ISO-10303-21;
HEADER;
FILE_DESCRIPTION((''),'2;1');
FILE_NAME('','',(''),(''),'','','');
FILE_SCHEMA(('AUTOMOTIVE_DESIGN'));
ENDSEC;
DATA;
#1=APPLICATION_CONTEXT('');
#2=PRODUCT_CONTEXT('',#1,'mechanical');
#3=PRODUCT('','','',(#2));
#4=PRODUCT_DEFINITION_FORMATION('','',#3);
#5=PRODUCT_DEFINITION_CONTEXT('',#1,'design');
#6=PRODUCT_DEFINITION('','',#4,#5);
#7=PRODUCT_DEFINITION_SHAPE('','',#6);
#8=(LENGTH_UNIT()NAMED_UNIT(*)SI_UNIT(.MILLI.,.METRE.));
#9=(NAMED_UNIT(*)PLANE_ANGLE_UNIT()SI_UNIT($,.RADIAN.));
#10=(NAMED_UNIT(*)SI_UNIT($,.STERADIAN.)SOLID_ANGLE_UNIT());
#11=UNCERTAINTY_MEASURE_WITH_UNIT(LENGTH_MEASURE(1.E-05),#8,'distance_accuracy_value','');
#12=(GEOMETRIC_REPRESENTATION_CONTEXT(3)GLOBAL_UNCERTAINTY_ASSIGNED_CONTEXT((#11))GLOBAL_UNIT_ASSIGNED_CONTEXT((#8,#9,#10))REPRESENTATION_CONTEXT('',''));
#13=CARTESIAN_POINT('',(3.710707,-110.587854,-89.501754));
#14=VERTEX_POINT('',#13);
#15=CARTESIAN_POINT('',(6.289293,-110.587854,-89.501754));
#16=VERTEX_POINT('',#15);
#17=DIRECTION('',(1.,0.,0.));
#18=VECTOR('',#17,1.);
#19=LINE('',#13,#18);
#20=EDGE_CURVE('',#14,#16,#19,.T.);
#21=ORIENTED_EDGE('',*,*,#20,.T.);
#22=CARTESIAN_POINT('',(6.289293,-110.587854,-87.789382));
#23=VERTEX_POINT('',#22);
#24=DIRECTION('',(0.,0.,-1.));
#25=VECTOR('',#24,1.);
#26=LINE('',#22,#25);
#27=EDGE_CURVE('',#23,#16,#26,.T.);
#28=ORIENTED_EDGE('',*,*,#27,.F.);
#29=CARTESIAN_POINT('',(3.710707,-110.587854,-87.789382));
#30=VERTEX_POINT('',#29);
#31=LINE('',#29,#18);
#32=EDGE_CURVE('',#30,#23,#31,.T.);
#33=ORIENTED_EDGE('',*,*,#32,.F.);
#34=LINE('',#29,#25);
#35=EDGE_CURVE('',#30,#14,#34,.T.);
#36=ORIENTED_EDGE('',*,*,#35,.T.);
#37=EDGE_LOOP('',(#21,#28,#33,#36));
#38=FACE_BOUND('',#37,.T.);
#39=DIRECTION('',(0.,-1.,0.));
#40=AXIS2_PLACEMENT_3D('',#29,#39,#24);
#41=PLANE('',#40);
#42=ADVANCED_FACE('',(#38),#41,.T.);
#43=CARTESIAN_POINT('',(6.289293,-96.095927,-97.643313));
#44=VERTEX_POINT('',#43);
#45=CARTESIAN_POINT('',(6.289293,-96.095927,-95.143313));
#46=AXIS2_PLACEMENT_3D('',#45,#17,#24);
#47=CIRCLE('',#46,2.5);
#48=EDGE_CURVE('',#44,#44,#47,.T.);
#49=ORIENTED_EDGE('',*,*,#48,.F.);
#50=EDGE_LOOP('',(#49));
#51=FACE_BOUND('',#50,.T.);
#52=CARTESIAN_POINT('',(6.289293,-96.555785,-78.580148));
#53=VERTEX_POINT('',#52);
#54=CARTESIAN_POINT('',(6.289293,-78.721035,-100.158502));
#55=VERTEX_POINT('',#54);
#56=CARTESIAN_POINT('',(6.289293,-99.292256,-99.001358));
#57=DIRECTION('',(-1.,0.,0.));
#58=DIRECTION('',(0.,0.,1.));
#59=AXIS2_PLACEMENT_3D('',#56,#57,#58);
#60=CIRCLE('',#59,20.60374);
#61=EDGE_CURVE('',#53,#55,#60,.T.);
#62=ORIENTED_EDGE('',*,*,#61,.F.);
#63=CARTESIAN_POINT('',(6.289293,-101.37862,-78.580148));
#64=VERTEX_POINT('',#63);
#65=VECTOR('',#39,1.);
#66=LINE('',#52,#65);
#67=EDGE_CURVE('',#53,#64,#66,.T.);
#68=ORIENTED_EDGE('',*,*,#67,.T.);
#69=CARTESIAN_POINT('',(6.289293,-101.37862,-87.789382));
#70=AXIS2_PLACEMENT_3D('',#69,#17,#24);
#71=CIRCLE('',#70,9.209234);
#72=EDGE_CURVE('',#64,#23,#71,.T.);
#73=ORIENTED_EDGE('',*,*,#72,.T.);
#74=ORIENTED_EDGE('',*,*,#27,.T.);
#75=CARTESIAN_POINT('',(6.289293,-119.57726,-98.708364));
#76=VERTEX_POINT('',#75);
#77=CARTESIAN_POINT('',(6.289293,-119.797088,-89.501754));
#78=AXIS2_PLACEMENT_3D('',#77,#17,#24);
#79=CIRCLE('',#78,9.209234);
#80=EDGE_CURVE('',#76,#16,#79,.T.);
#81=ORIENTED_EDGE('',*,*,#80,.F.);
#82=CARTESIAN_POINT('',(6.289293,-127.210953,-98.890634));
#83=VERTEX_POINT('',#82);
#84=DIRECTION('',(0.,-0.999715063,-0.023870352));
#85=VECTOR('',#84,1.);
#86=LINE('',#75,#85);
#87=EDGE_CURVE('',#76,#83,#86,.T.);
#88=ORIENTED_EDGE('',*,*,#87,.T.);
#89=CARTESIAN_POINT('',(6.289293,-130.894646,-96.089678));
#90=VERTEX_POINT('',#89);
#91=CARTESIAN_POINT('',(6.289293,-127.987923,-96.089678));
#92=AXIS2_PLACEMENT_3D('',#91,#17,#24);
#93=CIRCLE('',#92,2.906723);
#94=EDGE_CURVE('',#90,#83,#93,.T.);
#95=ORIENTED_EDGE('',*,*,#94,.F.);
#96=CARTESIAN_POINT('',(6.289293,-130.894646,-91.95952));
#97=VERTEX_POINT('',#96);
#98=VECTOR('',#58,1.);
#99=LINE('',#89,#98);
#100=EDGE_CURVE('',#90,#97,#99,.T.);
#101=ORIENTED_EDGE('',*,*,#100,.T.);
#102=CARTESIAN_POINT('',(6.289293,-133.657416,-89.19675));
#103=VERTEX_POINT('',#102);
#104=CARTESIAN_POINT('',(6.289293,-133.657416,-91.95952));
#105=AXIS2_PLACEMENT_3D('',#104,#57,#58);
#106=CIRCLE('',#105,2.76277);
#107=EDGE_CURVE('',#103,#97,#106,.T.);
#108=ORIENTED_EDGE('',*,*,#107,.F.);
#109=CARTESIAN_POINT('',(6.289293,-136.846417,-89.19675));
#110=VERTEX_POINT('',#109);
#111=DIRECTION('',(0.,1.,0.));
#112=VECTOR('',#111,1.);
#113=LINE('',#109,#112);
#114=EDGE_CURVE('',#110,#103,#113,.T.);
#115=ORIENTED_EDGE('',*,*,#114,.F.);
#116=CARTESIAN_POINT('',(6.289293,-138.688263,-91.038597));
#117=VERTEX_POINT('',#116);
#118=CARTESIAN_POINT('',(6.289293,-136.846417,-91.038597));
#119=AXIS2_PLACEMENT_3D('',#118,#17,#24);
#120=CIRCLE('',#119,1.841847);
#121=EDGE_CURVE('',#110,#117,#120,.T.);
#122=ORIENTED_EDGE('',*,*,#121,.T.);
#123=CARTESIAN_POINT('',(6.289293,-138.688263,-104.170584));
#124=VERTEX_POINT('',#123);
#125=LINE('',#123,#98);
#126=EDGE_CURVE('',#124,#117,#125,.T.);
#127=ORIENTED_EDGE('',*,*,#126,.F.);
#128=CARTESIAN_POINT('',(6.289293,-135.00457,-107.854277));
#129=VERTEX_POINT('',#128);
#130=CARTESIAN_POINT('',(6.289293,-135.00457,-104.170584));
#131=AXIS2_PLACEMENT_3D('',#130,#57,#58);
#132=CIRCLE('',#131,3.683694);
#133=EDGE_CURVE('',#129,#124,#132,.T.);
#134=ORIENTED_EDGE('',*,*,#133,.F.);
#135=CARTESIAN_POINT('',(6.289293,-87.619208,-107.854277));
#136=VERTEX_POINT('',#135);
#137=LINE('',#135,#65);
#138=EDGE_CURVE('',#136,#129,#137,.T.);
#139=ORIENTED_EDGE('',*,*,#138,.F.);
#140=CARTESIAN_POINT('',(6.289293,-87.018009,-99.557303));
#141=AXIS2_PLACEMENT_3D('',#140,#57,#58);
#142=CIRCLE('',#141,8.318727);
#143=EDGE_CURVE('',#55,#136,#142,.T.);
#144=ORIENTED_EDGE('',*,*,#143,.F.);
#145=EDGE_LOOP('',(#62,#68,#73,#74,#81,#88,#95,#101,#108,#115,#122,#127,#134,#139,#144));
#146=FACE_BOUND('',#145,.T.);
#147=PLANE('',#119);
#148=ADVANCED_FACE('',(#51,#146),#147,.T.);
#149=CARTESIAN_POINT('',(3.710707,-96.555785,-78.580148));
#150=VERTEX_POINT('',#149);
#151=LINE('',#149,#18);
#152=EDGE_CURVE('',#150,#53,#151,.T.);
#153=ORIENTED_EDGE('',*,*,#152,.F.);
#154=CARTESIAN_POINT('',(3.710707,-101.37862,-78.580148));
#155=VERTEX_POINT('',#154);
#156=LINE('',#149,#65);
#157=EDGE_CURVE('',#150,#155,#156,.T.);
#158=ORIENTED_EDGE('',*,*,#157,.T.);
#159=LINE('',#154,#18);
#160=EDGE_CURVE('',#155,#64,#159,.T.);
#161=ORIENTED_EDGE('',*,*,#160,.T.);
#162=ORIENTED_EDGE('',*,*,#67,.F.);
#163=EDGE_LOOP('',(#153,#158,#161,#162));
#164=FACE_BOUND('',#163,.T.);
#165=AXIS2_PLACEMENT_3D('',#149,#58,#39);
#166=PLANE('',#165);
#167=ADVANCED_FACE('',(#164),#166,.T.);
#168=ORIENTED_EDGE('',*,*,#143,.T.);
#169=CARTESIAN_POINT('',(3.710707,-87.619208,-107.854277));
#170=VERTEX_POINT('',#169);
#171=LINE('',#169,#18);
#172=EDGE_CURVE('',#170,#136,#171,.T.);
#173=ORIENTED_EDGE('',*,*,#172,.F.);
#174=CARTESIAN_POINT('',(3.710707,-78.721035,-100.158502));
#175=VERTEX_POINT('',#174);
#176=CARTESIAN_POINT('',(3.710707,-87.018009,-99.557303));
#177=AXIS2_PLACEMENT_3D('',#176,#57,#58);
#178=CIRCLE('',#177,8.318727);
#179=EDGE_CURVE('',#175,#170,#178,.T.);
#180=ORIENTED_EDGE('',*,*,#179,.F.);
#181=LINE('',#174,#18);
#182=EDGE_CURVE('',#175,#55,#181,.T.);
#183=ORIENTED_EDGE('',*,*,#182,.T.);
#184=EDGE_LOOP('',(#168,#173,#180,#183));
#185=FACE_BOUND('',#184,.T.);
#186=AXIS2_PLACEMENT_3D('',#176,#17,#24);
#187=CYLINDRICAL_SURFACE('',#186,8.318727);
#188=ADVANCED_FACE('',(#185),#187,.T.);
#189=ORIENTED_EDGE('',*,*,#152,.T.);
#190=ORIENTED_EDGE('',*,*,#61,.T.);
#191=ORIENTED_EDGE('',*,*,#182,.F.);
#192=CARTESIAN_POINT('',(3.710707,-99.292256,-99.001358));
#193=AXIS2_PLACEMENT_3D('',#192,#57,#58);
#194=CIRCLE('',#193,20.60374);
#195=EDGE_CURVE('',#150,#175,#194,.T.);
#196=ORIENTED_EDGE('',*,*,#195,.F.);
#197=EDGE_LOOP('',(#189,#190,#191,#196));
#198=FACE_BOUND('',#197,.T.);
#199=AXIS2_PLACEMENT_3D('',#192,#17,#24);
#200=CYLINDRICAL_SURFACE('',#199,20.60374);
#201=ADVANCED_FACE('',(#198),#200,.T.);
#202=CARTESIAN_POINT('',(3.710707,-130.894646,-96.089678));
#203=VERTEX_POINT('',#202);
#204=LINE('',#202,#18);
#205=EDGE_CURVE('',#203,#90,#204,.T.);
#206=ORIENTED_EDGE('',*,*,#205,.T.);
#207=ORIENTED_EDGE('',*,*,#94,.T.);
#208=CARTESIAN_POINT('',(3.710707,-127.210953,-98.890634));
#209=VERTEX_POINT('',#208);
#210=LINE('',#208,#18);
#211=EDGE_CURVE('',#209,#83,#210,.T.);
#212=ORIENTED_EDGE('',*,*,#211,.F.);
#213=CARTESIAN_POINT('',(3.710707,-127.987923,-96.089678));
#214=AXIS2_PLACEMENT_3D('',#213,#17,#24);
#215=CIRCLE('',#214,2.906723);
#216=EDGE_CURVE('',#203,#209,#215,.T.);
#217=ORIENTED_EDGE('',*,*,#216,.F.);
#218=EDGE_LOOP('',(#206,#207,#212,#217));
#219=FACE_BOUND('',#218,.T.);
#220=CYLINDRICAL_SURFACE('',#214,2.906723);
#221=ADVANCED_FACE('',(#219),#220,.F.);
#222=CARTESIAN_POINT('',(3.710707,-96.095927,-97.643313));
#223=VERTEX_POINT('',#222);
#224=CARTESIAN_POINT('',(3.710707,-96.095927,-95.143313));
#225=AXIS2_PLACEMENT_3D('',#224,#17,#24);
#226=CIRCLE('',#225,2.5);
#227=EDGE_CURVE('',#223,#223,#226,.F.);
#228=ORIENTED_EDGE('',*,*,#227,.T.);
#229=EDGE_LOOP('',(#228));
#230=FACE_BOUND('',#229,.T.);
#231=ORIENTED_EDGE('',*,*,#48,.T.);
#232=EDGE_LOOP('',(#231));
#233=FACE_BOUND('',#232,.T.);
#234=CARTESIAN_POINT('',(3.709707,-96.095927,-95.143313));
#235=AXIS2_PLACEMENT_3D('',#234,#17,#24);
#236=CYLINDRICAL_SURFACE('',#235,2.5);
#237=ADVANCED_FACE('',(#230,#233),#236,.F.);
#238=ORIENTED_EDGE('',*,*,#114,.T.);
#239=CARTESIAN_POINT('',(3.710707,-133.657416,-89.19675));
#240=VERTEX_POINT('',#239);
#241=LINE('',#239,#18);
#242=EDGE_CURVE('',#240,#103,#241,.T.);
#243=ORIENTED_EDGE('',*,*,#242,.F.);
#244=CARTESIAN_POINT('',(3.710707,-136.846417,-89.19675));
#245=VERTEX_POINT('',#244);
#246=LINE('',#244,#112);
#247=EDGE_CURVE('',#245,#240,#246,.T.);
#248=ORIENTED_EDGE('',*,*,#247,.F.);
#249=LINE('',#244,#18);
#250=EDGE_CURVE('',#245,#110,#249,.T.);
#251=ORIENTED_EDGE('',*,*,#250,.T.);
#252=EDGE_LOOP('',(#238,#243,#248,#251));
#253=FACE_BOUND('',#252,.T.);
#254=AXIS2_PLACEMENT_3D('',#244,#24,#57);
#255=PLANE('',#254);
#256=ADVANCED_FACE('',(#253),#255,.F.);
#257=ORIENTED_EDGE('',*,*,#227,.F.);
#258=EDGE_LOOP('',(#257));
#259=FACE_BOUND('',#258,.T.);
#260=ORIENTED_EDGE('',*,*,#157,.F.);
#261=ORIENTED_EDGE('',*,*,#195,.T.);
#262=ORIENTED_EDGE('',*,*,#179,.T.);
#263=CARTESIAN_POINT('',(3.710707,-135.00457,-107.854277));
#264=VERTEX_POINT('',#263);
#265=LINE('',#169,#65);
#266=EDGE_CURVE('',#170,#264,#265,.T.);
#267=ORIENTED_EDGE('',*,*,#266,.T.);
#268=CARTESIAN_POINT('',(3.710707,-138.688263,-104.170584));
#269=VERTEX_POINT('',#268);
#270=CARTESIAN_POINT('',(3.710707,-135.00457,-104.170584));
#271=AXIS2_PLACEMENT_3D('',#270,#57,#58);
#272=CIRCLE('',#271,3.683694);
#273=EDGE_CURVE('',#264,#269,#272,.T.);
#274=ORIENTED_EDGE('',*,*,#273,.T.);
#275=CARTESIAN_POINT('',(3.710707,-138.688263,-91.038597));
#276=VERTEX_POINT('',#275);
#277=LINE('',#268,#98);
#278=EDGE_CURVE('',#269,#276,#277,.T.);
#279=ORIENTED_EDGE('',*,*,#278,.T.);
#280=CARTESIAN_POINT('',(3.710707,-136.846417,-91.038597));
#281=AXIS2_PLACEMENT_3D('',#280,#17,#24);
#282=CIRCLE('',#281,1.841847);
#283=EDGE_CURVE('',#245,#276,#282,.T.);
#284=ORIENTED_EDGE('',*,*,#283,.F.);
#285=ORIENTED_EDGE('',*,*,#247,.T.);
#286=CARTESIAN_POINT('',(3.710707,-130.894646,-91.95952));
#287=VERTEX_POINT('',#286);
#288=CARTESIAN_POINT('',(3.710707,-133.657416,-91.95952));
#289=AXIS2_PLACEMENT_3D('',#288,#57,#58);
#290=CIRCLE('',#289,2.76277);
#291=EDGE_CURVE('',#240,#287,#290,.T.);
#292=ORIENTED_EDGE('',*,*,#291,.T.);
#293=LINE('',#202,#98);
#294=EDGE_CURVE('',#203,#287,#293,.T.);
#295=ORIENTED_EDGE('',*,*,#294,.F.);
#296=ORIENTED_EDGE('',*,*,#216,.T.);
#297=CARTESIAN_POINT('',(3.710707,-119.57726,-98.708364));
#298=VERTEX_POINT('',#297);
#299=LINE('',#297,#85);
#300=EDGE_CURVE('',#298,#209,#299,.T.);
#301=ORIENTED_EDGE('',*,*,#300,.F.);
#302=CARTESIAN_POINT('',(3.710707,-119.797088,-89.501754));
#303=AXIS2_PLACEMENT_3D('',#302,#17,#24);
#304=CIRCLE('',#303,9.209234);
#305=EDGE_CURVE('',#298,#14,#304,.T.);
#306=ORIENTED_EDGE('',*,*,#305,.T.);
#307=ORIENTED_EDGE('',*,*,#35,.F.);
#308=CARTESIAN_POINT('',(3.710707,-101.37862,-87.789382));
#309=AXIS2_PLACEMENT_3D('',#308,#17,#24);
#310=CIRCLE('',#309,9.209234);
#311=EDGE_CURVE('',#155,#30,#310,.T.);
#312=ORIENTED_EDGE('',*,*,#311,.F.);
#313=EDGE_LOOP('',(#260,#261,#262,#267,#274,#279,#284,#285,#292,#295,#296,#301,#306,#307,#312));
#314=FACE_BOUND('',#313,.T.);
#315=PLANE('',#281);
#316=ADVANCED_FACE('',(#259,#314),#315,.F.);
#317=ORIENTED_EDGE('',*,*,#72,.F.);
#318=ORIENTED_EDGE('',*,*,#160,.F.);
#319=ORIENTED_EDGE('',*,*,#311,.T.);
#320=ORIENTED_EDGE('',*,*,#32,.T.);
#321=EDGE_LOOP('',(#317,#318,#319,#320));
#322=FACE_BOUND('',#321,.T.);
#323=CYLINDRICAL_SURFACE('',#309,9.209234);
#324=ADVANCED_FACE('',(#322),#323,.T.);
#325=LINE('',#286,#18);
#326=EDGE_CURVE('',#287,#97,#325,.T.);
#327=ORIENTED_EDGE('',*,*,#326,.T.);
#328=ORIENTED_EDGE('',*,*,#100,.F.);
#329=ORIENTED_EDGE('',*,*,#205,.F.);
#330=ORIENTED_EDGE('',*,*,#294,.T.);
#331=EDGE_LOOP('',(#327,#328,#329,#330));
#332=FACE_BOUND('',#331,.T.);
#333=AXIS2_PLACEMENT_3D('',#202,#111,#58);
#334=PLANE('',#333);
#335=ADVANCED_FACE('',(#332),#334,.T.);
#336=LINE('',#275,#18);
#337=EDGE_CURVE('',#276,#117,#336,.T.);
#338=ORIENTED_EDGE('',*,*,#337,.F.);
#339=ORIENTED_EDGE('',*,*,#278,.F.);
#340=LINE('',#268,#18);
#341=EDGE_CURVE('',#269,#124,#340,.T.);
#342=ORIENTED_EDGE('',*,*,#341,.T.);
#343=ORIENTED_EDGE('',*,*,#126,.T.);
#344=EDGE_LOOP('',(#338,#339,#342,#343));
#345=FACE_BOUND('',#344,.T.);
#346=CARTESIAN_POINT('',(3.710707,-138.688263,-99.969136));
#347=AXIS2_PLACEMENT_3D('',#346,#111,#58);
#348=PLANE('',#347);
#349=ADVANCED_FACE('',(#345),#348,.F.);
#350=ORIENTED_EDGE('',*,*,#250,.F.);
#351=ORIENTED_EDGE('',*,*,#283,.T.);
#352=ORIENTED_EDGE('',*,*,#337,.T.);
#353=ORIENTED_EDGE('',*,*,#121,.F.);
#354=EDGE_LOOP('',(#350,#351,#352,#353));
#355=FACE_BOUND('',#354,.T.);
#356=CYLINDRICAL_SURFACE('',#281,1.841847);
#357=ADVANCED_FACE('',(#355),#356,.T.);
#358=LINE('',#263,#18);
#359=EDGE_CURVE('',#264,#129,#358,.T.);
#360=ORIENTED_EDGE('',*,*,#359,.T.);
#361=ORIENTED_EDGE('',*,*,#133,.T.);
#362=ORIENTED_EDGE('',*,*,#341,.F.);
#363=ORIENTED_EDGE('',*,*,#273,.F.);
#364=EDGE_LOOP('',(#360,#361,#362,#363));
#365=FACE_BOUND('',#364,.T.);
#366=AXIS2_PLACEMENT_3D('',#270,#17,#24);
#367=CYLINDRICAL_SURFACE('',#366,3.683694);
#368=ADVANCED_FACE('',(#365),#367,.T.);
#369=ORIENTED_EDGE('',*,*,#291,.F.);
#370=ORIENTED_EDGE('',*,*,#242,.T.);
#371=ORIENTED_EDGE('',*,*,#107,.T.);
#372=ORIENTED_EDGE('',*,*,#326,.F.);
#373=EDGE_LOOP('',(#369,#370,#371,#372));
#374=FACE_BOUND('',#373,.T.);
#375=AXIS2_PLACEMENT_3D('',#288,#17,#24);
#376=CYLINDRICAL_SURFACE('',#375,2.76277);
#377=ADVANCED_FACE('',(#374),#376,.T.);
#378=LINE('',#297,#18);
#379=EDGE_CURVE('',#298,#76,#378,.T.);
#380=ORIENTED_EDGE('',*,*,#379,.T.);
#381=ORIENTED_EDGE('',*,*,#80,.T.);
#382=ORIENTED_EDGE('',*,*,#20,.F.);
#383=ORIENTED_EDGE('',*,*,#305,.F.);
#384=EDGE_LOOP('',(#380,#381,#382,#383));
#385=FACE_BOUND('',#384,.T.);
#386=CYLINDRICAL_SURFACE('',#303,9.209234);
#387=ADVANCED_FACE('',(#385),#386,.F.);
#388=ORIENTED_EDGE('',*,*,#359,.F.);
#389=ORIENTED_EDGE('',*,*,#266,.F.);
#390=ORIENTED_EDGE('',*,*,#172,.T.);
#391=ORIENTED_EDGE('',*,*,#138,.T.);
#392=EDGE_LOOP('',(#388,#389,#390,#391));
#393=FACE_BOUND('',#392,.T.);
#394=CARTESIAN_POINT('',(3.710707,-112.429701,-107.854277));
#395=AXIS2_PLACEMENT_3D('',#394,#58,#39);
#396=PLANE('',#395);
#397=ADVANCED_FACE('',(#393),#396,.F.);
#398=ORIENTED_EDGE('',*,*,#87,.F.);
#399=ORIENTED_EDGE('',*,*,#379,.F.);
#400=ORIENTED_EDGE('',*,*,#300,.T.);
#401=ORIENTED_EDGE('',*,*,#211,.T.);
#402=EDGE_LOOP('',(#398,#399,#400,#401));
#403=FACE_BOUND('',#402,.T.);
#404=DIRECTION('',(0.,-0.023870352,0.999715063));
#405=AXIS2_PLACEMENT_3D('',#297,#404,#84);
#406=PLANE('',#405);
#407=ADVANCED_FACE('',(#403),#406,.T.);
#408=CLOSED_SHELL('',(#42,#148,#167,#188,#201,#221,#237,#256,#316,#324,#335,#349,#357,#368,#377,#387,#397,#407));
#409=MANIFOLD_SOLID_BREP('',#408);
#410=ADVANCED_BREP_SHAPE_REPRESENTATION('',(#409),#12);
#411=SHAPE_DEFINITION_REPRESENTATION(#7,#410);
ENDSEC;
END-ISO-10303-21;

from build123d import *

# Parameters (mm, degrees)
BOSS_EXTRUDE1_DEPTH      = 12
BOSS_EXTRUDE1_DEPTH_BACK = 2
SCALE1_SCALE             = 0.184184676
CUT_EXTRUDE1_REACH       = 177.722
SKETCH4_R                = 2.5


with BuildPart() as part:
    # Sketch3 → Boss-Extrude1 (new, two sides: drawn at the far end of the back side and taken through both)
    with BuildSketch(Plane(origin=(0, 0, 0), x_dir=(0, 0, -1), z_dir=(1, 0, 0)).offset(-BOSS_EXTRUDE1_DEPTH_BACK)):
        with BuildLine():
            Line((0, -60), (0, -86.184781703))
            ThreePointArc((0, -86.184781703), (14.644660941, -121.540120762), (50, -136.184781703))
            Line((50, -136.184781703), (59.297038535, -136.184781703))
            ThreePointArc((59.297038535, -136.184781703), (94.227856727, -150.409958986), (109.282791662, -184.991264087))
            Line((109.282791662, -184.991264087), (110.272400942, -226.437125049))
            ThreePointArc((110.272400942, -226.437125049), (107.627548101, -240.207635718), (95.065077273, -246.437125049))
            Line((95.065077273, -246.437125049), (72.641071037, -246.437125049))
            ThreePointArc((72.641071037, -246.437125049), (62.034469319, -250.830523332), (57.641071037, -261.437125049))
            Line((57.641071037, -261.437125049), (57.641071037, -278.751269833))
            ThreePointArc((57.641071037, -278.751269833), (60.570003225, -285.822337645), (67.641071037, -288.751269833))
            Line((67.641071037, -288.751269833), (116.127942723, -288.751269833))
            Line((116.127942723, -288.751269833), (138.939006392, -288.751269833))
            ThreePointArc((138.939006392, -288.751269833), (153.081142016, -282.893405456), (158.939006392, -268.751269833))
            Line((158.939006392, -268.751269833), (158.939006392, -146.184781703))
            Line((158.939006392, -146.184781703), (158.939006392, -50))
            Line((158.939006392, -50), (158.939006392, -11.480346054))
            ThreePointArc((158.939006392, -11.480346054), (148.053108697, 21.328755123), (117.156078712, 36.830801017))
            ThreePointArc((117.156078712, 36.830801017), (39.60735059, 11.368133348), (0, -60))
        make_face()
    extrude(amount=BOSS_EXTRUDE1_DEPTH + BOSS_EXTRUDE1_DEPTH_BACK)


with BuildPart() as part_1:
    # Scale1: scaled about (5, -104.808897059, -96.321000263)
    add(part.part.scale(SCALE1_SCALE).moved(Location((4.07907662, -85.504704312, -78.580148038))))

    # Sketch4 → Cut-Extrude1 (cut, up to next)
    with BuildSketch(Plane(origin=(6.289292732, 0, 0), x_dir=(0, 0, -1), z_dir=(1, 0, 0)), mode=Mode.PRIVATE) as cut_extrude1_sk1:
        with Locations((95.143312613, -96.09592734)):
            Circle(SKETCH4_R)
    cut_extrude1_tool1 = extrude(cut_extrude1_sk1.sketch, amount=-CUT_EXTRUDE1_REACH, mode=Mode.PRIVATE) & part_1.part
    add(cut_extrude1_tool1.solids().sort_by_distance((6.289293, -96.095927, -95.143313))[0], mode=Mode.SUBTRACT)


solid = part_1.part
